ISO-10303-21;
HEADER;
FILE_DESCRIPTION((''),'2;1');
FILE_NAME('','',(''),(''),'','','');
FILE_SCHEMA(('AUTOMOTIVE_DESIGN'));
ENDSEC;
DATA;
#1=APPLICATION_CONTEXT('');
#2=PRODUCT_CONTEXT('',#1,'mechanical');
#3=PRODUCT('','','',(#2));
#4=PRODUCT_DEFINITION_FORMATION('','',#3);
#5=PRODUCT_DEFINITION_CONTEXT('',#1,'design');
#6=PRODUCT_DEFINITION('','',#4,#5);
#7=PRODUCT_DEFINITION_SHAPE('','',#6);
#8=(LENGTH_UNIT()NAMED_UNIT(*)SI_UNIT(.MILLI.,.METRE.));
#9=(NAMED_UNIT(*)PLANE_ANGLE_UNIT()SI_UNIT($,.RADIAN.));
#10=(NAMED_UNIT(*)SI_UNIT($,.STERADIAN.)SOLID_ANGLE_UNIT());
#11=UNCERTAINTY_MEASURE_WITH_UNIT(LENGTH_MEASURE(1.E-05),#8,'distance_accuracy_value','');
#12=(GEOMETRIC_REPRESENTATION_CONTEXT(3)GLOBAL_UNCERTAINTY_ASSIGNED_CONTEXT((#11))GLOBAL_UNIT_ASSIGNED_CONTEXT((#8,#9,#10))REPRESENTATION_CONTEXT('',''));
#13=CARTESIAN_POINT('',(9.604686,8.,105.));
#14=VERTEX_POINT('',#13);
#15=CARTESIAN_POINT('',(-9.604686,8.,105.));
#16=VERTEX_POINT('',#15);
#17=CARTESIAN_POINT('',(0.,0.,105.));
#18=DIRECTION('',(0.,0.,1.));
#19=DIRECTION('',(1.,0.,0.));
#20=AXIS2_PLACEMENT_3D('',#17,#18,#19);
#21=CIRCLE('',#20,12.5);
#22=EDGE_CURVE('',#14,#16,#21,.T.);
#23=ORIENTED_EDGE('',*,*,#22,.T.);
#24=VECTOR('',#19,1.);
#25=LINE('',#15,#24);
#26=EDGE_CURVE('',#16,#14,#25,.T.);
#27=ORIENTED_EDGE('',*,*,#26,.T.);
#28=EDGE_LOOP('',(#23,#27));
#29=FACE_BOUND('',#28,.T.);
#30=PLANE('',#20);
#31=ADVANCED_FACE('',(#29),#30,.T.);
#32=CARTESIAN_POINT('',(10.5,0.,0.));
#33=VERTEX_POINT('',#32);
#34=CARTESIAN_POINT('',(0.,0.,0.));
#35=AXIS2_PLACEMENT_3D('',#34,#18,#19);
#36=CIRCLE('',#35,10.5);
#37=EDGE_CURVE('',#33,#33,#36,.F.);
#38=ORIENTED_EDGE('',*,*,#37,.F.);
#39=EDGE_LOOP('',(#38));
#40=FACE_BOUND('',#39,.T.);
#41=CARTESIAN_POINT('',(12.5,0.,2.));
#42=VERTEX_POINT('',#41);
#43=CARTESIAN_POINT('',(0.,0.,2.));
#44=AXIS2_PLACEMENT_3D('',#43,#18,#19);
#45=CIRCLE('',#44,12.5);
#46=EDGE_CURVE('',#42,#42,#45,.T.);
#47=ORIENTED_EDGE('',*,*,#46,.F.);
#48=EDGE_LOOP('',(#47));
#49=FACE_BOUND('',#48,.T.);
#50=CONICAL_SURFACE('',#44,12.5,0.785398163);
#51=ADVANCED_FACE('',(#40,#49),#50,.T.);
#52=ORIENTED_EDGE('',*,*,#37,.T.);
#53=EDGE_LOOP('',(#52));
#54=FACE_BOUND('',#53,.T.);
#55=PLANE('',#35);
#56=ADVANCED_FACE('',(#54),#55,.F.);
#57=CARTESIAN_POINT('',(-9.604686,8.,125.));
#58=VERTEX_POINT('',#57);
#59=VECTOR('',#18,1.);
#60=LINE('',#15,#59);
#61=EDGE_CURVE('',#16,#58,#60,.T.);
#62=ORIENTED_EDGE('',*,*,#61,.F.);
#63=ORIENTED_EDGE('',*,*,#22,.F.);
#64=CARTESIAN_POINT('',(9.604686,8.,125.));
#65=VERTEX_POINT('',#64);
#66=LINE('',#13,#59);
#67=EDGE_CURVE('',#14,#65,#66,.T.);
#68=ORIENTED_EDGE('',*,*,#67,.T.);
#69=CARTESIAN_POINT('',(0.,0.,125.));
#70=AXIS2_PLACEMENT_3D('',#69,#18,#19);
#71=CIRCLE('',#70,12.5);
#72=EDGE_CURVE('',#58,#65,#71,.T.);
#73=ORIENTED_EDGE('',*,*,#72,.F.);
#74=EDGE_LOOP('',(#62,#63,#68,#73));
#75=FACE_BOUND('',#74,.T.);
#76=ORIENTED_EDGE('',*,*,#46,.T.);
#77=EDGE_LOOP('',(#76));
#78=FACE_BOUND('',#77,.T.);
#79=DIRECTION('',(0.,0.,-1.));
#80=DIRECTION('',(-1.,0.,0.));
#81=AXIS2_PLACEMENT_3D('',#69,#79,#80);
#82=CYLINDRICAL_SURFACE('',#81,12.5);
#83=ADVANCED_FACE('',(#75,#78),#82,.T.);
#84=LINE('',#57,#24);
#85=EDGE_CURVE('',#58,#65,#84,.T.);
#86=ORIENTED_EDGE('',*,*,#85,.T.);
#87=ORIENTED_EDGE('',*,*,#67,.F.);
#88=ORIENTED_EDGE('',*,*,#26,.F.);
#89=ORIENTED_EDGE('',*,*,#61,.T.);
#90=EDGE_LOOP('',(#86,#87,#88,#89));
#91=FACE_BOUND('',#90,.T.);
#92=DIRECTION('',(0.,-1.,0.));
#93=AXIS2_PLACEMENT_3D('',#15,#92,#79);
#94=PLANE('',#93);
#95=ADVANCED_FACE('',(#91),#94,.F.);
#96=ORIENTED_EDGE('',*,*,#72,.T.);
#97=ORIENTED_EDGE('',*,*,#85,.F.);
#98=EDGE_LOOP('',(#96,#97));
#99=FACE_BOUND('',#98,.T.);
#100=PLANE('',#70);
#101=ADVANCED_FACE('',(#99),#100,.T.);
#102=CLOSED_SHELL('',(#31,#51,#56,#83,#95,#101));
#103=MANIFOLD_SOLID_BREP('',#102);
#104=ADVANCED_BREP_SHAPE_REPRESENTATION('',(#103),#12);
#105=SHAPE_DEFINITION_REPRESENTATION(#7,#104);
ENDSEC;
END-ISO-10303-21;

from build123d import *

# Parameters (mm, degrees)
SKETCH1_R           = 12.5
BOSS_EXTRUDE1_DEPTH = 125
CUT_EXTRUDE1_START  = -20
CUT_EXTRUDE1_DEPTH  = 20
CHAMFER1_SIZE       = 2


with BuildPart() as part:
    # Sketch1 → Boss-Extrude1 (new body)
    with BuildSketch(Plane.XY):
        Circle(SKETCH1_R)
    extrude(amount=BOSS_EXTRUDE1_DEPTH)

    # Sketch2 → Cut-Extrude1 (cut)
    with BuildSketch(Plane.XY.offset(125).offset(CUT_EXTRUDE1_START)):
        with BuildLine():
            Line((-9.604686356, 8), (9.604686356, 8))
            ThreePointArc((9.604686356, 8), (0, 12.5), (-9.604686356, 8))
        make_face()
    extrude(amount=CUT_EXTRUDE1_DEPTH, mode=Mode.SUBTRACT)

    # Chamfer1
    chamfer1_edges = [part.edges().sort_by_distance(p)[0] for p in [
        (-12.5, 0, 0),
    ]]
    chamfer(chamfer1_edges, length=CHAMFER1_SIZE)


solid = part.part
